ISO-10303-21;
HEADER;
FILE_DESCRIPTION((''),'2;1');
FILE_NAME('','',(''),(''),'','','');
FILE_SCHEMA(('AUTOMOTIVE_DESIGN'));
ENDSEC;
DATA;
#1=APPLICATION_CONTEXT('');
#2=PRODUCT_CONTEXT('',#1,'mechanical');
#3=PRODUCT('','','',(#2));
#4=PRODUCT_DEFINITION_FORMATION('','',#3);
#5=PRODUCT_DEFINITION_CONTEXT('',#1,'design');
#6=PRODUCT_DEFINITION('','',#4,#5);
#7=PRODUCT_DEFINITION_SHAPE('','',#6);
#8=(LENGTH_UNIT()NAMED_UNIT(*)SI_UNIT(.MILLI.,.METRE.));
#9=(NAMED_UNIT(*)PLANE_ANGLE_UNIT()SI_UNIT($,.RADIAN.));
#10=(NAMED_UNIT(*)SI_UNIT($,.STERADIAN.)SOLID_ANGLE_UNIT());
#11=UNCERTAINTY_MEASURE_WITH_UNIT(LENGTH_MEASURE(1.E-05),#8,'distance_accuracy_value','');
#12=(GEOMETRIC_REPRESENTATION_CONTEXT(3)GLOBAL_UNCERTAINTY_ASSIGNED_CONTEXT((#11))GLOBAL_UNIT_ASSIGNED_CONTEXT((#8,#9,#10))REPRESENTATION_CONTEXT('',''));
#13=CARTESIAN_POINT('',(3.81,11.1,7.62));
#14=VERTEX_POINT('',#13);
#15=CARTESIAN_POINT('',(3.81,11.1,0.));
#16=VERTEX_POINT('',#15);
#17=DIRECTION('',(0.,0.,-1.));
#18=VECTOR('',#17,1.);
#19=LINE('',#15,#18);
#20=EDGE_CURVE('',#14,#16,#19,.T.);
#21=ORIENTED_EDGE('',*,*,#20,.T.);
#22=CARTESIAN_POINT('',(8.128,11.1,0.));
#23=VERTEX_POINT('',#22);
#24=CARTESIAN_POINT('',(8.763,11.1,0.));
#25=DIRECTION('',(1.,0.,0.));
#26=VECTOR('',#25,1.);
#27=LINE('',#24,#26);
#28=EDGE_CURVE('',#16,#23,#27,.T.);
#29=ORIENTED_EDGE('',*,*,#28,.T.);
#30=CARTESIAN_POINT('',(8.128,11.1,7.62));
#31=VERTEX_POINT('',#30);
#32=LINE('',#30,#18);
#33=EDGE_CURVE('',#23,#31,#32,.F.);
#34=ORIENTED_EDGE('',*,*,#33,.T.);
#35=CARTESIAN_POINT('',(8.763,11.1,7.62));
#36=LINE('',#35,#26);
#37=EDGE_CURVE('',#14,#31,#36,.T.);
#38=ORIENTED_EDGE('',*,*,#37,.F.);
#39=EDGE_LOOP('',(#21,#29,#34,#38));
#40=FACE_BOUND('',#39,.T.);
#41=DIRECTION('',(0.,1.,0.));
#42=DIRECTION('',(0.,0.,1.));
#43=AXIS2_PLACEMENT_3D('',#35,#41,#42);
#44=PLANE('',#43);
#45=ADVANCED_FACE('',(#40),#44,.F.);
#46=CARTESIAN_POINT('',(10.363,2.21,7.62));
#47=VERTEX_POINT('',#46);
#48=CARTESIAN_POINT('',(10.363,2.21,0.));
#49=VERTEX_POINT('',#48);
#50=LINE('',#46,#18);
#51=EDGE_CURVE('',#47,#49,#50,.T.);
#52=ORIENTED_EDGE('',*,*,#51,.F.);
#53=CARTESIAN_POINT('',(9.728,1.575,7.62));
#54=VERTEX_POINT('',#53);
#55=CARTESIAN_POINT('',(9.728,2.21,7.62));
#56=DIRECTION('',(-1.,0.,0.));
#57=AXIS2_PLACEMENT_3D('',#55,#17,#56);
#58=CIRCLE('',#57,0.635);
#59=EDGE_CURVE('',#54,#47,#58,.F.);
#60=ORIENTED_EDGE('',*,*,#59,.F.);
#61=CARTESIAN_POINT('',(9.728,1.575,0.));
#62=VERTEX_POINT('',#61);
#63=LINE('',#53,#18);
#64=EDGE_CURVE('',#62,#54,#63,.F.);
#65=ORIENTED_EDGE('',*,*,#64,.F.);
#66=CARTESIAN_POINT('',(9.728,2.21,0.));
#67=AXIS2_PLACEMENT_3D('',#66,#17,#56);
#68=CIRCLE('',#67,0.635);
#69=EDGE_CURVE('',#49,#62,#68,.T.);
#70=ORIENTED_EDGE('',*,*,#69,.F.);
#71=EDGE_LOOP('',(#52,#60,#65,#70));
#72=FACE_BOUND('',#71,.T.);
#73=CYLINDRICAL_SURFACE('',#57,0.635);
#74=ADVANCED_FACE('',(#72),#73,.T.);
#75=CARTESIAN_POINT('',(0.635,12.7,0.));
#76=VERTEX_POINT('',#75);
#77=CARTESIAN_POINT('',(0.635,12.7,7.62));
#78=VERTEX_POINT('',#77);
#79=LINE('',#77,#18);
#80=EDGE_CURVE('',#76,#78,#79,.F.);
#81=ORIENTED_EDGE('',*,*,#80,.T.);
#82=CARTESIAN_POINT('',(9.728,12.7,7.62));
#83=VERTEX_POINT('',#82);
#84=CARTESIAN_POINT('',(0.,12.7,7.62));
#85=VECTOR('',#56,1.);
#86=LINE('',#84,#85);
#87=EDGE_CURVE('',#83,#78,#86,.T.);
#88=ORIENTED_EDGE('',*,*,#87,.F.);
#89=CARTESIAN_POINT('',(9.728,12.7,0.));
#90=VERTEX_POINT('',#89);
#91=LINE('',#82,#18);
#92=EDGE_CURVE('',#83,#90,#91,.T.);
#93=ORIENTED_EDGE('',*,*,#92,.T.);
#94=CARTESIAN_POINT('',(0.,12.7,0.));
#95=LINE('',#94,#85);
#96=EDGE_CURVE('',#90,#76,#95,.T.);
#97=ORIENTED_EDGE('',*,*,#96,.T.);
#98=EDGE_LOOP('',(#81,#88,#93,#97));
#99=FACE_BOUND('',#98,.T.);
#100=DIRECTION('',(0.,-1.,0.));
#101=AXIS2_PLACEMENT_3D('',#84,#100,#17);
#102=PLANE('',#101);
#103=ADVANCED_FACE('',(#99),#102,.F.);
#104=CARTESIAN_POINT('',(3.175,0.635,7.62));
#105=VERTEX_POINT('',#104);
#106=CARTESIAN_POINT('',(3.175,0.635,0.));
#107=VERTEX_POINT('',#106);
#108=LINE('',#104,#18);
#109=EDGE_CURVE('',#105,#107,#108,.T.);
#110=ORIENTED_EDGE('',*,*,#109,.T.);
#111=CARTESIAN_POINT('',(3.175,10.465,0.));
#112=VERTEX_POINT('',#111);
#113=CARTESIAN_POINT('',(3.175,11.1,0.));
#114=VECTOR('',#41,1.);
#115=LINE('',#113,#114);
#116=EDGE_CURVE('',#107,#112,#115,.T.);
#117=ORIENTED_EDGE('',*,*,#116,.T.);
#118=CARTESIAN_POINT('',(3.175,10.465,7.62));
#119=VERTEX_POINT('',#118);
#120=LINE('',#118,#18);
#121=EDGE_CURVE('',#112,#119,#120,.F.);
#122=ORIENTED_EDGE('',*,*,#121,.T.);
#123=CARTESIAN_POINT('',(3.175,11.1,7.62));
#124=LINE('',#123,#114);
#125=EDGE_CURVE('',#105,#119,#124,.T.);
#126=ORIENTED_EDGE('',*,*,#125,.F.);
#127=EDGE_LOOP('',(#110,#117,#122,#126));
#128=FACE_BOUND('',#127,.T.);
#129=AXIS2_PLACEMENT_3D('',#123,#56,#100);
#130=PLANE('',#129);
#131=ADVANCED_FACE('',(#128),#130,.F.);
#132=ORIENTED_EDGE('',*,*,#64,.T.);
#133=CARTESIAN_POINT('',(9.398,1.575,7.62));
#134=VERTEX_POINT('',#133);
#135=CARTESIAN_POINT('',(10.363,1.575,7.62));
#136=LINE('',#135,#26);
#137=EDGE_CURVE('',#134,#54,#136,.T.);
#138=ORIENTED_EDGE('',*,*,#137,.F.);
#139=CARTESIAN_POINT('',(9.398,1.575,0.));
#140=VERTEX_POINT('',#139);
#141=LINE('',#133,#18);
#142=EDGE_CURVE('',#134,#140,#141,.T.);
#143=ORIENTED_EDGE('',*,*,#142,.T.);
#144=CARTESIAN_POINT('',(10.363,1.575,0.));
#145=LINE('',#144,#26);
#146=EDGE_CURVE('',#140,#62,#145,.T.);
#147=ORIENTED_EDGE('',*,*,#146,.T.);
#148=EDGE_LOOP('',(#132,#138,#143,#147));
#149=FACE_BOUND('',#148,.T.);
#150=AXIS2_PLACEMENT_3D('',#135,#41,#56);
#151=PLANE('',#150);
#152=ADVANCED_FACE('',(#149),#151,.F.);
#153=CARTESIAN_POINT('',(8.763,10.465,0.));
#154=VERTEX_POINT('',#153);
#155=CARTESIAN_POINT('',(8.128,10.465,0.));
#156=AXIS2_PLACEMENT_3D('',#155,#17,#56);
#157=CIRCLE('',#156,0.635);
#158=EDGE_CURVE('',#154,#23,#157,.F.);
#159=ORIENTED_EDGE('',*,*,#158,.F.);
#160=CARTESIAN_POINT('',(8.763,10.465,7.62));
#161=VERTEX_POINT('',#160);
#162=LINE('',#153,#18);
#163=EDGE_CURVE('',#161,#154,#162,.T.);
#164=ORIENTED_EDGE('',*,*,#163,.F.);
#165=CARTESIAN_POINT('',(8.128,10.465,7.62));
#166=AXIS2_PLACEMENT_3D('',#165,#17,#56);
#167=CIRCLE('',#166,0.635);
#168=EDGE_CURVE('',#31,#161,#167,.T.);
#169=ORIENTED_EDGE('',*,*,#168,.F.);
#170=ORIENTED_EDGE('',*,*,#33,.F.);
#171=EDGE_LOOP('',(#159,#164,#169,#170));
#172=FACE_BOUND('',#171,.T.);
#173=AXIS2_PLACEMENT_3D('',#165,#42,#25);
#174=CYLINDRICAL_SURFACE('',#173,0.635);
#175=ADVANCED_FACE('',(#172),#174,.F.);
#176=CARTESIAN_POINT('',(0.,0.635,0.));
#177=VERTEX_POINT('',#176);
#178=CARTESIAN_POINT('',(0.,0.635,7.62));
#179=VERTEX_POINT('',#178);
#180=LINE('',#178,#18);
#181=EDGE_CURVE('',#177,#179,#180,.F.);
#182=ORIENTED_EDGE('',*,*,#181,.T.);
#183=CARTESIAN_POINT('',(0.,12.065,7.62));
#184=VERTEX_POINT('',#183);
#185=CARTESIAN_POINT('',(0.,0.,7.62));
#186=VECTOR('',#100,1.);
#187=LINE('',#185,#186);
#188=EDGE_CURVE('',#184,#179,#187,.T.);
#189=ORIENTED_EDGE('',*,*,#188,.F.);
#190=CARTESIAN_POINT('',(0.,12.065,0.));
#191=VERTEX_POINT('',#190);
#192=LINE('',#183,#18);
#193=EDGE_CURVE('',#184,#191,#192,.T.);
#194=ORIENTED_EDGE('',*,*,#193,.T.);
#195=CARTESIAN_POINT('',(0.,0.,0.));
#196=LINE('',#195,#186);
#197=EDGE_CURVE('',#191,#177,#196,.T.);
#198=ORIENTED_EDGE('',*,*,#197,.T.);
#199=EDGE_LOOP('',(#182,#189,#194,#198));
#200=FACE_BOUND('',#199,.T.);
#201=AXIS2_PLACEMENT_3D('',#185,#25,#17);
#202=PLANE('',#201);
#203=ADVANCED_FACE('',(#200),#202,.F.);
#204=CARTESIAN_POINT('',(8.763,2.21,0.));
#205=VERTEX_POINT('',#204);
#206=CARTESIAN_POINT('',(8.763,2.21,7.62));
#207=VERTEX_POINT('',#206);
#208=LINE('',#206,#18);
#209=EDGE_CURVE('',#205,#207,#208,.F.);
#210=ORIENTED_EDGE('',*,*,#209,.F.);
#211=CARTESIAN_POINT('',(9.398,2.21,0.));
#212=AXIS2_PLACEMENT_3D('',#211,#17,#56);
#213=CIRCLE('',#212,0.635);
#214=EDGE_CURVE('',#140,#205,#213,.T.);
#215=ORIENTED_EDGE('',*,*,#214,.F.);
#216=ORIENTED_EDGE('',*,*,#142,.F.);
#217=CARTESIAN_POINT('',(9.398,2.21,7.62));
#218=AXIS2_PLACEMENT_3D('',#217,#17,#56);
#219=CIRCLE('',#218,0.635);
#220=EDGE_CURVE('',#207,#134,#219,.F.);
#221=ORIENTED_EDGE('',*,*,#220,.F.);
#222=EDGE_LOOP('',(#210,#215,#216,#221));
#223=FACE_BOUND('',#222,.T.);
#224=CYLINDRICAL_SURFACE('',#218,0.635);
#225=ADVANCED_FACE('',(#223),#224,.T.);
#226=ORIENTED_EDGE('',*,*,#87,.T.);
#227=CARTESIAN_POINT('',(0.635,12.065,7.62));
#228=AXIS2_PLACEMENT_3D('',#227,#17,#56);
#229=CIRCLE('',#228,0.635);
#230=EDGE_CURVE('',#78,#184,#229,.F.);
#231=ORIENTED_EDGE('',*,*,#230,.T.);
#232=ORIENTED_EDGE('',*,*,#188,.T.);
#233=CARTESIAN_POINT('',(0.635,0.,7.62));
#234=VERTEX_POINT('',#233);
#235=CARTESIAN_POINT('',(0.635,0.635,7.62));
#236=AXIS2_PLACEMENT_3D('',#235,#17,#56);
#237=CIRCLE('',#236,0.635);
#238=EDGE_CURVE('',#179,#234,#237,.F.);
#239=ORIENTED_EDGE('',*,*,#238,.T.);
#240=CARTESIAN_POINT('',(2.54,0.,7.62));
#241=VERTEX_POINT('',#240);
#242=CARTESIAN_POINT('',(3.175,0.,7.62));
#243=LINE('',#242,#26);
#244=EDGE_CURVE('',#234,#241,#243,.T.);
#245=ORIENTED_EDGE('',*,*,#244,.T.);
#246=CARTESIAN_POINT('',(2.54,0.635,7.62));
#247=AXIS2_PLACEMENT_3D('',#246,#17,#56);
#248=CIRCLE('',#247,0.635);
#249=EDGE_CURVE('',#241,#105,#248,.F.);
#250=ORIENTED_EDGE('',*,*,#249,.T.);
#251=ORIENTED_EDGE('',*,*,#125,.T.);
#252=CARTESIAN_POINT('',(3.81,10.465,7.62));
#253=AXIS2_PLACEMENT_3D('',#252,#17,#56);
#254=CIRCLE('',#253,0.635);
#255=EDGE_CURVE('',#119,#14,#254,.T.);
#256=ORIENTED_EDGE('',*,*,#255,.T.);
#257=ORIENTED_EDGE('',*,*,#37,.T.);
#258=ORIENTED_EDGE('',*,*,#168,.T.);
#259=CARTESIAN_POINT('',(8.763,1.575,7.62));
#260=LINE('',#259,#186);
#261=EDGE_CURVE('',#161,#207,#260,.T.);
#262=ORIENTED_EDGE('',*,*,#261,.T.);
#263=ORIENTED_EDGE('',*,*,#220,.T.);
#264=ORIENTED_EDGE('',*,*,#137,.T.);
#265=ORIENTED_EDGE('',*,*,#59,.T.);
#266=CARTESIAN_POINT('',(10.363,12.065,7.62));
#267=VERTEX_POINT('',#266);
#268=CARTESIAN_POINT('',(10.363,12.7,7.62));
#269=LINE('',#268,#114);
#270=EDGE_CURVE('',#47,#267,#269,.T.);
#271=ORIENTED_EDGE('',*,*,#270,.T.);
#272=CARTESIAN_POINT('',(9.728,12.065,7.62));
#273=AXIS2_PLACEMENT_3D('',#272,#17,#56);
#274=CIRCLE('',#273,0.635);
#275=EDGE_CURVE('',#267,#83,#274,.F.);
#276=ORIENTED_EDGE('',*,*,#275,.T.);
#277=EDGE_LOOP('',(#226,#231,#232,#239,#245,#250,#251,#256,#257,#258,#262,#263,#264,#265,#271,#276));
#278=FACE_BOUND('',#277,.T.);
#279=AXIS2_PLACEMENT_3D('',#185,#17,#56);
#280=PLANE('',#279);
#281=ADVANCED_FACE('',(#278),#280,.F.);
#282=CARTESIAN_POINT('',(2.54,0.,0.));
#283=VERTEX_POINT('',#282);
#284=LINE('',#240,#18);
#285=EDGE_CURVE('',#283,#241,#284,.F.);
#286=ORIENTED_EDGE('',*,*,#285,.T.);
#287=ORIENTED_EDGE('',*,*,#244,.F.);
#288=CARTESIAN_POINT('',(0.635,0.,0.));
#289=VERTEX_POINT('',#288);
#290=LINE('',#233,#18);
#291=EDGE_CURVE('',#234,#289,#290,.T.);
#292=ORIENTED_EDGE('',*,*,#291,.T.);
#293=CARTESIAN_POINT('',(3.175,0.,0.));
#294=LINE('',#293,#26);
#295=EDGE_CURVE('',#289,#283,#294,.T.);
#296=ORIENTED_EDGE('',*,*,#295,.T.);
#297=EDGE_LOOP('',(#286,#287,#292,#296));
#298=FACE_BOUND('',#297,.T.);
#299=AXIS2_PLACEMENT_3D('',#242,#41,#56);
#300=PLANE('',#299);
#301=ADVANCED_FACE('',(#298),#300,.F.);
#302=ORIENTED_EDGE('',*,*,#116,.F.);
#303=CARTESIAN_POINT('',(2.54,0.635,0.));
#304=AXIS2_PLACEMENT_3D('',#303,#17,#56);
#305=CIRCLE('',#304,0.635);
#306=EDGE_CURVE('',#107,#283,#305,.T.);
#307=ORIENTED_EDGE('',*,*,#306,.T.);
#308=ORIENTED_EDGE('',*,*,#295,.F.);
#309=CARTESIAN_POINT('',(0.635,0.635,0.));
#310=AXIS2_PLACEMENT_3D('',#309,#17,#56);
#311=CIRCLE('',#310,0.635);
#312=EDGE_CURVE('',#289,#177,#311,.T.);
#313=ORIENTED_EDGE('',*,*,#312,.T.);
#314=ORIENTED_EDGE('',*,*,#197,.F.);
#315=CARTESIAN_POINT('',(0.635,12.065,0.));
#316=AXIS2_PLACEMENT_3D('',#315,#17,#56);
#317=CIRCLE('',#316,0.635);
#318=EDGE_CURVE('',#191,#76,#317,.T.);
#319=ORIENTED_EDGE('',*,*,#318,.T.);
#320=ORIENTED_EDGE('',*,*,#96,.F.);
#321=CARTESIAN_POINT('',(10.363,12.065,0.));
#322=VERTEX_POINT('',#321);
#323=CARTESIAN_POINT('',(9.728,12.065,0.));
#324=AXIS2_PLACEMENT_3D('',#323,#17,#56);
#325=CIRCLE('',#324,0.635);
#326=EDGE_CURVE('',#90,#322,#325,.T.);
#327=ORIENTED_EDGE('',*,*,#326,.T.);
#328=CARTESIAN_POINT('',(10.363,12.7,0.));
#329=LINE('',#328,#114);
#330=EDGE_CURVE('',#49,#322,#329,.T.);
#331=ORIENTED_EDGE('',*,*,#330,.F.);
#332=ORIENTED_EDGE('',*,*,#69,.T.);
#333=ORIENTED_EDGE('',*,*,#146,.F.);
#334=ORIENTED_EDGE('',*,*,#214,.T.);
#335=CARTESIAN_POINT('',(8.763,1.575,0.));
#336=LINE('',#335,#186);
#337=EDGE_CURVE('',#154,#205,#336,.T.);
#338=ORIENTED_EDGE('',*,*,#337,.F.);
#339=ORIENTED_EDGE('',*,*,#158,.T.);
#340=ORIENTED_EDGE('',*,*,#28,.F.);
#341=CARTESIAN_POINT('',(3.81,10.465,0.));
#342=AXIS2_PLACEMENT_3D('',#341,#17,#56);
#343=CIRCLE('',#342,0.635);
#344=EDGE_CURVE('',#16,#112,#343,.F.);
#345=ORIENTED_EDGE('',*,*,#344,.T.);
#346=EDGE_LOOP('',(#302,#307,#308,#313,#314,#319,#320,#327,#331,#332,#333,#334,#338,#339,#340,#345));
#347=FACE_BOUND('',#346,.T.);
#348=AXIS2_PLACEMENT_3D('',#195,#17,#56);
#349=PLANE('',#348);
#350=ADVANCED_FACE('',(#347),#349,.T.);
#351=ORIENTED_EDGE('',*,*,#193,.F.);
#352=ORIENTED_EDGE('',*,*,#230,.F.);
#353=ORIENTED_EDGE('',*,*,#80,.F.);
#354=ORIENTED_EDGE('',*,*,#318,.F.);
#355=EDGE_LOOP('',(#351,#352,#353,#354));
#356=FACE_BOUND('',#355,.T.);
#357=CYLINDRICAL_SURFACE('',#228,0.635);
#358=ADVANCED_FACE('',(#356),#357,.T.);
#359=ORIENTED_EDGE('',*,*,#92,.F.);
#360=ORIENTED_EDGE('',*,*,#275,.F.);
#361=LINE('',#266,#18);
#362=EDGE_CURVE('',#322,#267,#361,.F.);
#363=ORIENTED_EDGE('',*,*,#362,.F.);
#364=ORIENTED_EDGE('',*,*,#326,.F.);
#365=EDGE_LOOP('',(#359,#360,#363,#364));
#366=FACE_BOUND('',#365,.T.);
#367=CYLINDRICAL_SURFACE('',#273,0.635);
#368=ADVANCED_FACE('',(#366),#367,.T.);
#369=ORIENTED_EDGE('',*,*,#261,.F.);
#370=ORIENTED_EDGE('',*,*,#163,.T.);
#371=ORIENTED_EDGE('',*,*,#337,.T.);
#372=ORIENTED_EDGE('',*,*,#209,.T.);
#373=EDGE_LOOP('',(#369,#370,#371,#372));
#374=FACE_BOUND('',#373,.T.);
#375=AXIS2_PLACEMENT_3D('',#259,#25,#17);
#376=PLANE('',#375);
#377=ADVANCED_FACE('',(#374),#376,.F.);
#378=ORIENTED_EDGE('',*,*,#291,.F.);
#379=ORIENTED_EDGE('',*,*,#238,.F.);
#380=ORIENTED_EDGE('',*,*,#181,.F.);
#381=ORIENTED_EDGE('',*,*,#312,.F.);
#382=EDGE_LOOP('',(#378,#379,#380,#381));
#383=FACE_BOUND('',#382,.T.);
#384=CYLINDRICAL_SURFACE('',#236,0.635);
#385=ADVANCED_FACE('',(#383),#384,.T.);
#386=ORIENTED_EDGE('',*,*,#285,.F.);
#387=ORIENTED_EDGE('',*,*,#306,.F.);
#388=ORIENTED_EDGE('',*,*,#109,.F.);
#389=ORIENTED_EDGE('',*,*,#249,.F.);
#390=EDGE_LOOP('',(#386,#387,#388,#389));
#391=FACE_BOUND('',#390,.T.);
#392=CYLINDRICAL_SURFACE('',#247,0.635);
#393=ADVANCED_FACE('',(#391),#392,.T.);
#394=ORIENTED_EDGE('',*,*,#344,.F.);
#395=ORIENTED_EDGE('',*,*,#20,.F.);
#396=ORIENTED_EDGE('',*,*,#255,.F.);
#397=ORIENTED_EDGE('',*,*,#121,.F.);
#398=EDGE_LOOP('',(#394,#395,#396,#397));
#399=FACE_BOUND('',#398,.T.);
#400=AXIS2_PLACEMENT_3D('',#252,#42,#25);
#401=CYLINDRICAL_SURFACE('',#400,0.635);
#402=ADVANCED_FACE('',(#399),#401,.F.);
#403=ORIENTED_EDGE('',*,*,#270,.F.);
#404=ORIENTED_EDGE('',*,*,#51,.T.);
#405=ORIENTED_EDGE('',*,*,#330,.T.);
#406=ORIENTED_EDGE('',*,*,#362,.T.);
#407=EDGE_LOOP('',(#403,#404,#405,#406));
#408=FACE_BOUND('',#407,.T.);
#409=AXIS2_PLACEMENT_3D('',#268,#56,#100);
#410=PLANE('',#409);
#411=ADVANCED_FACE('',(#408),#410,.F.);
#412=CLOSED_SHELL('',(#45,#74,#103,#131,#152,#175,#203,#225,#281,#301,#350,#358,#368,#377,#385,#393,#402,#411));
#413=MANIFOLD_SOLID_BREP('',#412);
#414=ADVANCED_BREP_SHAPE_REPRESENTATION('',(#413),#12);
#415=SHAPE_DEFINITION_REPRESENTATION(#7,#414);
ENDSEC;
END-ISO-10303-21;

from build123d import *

# Parameters (mm, degrees)
BOSS_EXTRUDE1_DEPTH = 7.62
FILLET1_R           = 0.635


with BuildPart() as part:
    # Sketch1 → Boss-Extrude1 (new body)
    with BuildSketch(Plane.XY):
        Polygon((0, 0), (0, 12.7), (10.363, 12.7), (10.363, 1.575), (8.763, 1.575), (8.763, 11.1), (3.175, 11.1), (3.175, 0), align=None)
    extrude(amount=BOSS_EXTRUDE1_DEPTH)

    # Fillet1
    fillet1_edges = [part.edges().sort_by_distance(p)[0] for p in [
        (0, 0, 3.81),
        (0, 12.7, 3.81),
        (10.363, 12.7, 3.81),
        (10.363, 1.575, 3.81),
        (8.763, 1.575, 3.81),
        (8.763, 11.1, 3.81),
        (3.175, 11.1, 3.81),
        (3.175, 0, 3.81),
    ]]
    fillet(fillet1_edges, radius=FILLET1_R)


solid = part.part
